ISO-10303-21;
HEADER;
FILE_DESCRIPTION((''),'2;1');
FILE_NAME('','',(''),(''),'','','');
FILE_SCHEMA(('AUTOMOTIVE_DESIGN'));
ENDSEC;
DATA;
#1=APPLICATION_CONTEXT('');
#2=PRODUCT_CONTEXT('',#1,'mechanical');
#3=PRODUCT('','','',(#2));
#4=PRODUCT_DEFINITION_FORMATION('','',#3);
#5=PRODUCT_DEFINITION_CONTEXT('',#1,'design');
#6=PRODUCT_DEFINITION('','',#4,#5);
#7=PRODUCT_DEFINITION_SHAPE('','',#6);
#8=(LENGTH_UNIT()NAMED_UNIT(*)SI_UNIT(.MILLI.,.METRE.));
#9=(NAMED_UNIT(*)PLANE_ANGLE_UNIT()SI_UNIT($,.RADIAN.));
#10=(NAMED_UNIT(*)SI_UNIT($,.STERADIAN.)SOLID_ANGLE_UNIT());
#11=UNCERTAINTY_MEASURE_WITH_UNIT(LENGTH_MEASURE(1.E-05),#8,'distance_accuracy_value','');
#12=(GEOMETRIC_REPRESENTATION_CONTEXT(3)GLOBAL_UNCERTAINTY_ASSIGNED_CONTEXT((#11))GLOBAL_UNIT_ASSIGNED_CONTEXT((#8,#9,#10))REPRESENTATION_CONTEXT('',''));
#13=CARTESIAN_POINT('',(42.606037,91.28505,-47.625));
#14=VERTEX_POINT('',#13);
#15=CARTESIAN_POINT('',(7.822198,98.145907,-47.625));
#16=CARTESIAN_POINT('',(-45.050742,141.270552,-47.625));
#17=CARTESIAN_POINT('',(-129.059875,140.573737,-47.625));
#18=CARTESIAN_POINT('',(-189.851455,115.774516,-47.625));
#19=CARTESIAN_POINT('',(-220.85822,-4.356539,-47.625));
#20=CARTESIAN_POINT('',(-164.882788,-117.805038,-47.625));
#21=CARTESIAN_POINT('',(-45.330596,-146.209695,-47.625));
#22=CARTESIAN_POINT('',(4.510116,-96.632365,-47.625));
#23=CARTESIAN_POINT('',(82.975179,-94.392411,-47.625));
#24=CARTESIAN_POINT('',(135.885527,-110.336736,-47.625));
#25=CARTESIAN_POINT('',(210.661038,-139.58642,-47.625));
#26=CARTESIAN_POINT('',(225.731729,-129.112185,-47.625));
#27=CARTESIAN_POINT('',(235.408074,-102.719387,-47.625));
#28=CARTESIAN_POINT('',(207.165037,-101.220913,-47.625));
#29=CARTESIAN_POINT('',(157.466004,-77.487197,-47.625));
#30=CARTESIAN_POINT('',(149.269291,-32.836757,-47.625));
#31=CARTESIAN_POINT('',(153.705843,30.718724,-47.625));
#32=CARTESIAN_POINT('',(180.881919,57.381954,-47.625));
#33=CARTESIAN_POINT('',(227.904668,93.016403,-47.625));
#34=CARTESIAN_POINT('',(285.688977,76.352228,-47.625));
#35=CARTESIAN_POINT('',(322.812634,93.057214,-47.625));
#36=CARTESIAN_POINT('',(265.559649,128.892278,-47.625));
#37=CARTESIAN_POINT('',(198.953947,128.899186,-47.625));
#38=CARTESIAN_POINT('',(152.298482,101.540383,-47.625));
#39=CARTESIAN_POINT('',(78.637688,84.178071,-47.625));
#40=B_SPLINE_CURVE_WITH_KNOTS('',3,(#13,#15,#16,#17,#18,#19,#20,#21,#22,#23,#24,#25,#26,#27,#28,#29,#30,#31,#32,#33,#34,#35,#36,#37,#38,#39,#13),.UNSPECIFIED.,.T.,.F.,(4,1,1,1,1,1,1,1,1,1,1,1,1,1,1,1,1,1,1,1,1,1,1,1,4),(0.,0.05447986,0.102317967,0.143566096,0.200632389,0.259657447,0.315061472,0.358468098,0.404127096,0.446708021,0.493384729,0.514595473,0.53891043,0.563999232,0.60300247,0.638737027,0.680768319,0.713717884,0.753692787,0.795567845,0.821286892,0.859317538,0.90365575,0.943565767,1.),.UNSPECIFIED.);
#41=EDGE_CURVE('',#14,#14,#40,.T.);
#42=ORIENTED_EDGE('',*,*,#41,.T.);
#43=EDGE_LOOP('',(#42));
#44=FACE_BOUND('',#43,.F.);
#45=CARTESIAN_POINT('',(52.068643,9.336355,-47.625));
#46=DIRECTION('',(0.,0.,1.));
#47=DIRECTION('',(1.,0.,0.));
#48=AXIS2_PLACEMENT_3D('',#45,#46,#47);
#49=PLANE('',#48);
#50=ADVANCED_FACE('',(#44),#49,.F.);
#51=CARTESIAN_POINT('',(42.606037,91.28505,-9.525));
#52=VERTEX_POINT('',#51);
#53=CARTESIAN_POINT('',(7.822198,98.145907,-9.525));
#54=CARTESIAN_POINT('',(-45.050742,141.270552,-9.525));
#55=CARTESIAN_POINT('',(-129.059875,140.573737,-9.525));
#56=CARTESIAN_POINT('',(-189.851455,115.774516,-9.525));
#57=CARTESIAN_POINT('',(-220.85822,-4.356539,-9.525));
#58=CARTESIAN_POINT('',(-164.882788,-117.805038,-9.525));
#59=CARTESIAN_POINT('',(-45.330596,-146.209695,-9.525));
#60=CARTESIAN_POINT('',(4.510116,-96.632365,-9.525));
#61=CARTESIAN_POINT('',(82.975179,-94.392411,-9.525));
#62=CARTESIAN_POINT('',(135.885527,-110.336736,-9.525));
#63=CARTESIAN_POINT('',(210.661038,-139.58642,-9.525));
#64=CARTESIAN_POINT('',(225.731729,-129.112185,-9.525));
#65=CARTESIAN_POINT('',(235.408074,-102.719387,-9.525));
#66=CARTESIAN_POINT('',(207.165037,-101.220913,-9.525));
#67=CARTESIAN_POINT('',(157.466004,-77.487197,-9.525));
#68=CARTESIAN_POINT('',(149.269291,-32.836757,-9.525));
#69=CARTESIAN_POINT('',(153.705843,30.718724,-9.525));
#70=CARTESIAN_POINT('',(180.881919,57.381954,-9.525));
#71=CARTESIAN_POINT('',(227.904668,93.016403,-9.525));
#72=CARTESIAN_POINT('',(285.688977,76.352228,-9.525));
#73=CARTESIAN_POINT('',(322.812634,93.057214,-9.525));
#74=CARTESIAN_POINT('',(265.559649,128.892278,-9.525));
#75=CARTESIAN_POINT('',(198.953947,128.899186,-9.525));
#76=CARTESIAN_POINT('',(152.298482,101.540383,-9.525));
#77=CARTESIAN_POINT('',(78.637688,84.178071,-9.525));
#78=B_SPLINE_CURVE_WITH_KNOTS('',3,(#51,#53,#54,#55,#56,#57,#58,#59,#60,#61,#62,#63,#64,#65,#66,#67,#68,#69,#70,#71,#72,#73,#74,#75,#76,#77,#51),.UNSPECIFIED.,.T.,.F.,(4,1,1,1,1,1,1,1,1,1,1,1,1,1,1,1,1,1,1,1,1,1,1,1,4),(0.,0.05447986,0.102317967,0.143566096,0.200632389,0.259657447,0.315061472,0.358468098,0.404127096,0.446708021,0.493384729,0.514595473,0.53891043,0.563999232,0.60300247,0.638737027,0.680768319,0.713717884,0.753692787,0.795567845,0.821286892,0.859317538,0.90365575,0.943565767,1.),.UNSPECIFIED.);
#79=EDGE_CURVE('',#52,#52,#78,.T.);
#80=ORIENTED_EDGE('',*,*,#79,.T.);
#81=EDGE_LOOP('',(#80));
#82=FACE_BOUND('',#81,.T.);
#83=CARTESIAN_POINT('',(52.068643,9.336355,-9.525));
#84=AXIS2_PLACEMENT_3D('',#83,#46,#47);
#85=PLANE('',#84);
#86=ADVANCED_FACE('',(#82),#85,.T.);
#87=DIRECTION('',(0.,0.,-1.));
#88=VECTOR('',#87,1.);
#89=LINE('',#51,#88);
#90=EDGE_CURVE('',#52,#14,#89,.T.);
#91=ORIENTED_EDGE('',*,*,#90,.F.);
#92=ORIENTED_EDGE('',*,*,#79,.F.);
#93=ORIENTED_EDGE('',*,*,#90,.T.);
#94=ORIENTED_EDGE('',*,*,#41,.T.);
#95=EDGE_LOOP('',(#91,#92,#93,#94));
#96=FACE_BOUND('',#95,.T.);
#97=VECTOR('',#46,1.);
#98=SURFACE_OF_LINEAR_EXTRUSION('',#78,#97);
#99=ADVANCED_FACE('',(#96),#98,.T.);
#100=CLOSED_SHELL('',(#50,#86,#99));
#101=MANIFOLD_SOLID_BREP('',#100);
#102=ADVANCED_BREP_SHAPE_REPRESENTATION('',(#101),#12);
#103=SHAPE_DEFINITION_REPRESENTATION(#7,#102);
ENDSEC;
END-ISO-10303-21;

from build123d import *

# Parameters (mm, degrees)
F5_DEPTH = 38.1


with BuildPart() as f5:
    # F4 (on offset) → F5 (new body)
    with BuildSketch(Plane.XY.offset(-9.525)):
        with BuildLine():
            add(Edge.make_bspline(
                [(42.6060371101, 91.2850499153), (7.8221980727, 98.1459074689), (-45.0507420821, 141.270552222), (-129.059875152, 140.5737367426), (-189.8514548731, 115.7745158018), (-220.8582203428, -4.3565392162), (-164.8827881229, -117.805037811), (-45.3305959412, -146.2096949258), (4.5101162507, -96.6323653493), (82.9751788925, -94.3924112601), (135.8855265702, -110.3367359814), (210.661037642, -139.5864202281), (225.7317287, -129.1121848334), (235.4080735811, -102.7193866532), (207.1650373799, -101.2209131151), (157.4660036331, -77.4871974901), (149.2692905136, -32.8367565604), (153.7058431828, 30.7187237235), (180.8819186852, 57.3819541841), (227.9046678051, 93.0164028238), (285.6889769457, 76.3522276785), (322.8126340742, 93.0572138919), (265.5596488489, 128.8922780732), (198.9539465155, 128.8991857046), (152.298481538, 101.540383297), (78.637687997, 84.1780706112), (42.6060371101, 91.2850499153)],
                knots=[0, 0, 0, 0, 0.0544798599, 0.1023179668, 0.1435660963, 0.2006323886, 0.2596574474, 0.3150614725, 0.3584680982, 0.4041270958, 0.4467080214, 0.4933847294, 0.5145954734, 0.5389104299, 0.5639992318, 0.6030024702, 0.638737027, 0.6807683187, 0.7137178843, 0.7536927868, 0.7955678451, 0.8212868925, 0.8593175383, 0.9036557499, 0.9435657665, 1, 1, 1, 1], degree=3))
        make_face()
    extrude(amount=-F5_DEPTH)


solid = f5.part
